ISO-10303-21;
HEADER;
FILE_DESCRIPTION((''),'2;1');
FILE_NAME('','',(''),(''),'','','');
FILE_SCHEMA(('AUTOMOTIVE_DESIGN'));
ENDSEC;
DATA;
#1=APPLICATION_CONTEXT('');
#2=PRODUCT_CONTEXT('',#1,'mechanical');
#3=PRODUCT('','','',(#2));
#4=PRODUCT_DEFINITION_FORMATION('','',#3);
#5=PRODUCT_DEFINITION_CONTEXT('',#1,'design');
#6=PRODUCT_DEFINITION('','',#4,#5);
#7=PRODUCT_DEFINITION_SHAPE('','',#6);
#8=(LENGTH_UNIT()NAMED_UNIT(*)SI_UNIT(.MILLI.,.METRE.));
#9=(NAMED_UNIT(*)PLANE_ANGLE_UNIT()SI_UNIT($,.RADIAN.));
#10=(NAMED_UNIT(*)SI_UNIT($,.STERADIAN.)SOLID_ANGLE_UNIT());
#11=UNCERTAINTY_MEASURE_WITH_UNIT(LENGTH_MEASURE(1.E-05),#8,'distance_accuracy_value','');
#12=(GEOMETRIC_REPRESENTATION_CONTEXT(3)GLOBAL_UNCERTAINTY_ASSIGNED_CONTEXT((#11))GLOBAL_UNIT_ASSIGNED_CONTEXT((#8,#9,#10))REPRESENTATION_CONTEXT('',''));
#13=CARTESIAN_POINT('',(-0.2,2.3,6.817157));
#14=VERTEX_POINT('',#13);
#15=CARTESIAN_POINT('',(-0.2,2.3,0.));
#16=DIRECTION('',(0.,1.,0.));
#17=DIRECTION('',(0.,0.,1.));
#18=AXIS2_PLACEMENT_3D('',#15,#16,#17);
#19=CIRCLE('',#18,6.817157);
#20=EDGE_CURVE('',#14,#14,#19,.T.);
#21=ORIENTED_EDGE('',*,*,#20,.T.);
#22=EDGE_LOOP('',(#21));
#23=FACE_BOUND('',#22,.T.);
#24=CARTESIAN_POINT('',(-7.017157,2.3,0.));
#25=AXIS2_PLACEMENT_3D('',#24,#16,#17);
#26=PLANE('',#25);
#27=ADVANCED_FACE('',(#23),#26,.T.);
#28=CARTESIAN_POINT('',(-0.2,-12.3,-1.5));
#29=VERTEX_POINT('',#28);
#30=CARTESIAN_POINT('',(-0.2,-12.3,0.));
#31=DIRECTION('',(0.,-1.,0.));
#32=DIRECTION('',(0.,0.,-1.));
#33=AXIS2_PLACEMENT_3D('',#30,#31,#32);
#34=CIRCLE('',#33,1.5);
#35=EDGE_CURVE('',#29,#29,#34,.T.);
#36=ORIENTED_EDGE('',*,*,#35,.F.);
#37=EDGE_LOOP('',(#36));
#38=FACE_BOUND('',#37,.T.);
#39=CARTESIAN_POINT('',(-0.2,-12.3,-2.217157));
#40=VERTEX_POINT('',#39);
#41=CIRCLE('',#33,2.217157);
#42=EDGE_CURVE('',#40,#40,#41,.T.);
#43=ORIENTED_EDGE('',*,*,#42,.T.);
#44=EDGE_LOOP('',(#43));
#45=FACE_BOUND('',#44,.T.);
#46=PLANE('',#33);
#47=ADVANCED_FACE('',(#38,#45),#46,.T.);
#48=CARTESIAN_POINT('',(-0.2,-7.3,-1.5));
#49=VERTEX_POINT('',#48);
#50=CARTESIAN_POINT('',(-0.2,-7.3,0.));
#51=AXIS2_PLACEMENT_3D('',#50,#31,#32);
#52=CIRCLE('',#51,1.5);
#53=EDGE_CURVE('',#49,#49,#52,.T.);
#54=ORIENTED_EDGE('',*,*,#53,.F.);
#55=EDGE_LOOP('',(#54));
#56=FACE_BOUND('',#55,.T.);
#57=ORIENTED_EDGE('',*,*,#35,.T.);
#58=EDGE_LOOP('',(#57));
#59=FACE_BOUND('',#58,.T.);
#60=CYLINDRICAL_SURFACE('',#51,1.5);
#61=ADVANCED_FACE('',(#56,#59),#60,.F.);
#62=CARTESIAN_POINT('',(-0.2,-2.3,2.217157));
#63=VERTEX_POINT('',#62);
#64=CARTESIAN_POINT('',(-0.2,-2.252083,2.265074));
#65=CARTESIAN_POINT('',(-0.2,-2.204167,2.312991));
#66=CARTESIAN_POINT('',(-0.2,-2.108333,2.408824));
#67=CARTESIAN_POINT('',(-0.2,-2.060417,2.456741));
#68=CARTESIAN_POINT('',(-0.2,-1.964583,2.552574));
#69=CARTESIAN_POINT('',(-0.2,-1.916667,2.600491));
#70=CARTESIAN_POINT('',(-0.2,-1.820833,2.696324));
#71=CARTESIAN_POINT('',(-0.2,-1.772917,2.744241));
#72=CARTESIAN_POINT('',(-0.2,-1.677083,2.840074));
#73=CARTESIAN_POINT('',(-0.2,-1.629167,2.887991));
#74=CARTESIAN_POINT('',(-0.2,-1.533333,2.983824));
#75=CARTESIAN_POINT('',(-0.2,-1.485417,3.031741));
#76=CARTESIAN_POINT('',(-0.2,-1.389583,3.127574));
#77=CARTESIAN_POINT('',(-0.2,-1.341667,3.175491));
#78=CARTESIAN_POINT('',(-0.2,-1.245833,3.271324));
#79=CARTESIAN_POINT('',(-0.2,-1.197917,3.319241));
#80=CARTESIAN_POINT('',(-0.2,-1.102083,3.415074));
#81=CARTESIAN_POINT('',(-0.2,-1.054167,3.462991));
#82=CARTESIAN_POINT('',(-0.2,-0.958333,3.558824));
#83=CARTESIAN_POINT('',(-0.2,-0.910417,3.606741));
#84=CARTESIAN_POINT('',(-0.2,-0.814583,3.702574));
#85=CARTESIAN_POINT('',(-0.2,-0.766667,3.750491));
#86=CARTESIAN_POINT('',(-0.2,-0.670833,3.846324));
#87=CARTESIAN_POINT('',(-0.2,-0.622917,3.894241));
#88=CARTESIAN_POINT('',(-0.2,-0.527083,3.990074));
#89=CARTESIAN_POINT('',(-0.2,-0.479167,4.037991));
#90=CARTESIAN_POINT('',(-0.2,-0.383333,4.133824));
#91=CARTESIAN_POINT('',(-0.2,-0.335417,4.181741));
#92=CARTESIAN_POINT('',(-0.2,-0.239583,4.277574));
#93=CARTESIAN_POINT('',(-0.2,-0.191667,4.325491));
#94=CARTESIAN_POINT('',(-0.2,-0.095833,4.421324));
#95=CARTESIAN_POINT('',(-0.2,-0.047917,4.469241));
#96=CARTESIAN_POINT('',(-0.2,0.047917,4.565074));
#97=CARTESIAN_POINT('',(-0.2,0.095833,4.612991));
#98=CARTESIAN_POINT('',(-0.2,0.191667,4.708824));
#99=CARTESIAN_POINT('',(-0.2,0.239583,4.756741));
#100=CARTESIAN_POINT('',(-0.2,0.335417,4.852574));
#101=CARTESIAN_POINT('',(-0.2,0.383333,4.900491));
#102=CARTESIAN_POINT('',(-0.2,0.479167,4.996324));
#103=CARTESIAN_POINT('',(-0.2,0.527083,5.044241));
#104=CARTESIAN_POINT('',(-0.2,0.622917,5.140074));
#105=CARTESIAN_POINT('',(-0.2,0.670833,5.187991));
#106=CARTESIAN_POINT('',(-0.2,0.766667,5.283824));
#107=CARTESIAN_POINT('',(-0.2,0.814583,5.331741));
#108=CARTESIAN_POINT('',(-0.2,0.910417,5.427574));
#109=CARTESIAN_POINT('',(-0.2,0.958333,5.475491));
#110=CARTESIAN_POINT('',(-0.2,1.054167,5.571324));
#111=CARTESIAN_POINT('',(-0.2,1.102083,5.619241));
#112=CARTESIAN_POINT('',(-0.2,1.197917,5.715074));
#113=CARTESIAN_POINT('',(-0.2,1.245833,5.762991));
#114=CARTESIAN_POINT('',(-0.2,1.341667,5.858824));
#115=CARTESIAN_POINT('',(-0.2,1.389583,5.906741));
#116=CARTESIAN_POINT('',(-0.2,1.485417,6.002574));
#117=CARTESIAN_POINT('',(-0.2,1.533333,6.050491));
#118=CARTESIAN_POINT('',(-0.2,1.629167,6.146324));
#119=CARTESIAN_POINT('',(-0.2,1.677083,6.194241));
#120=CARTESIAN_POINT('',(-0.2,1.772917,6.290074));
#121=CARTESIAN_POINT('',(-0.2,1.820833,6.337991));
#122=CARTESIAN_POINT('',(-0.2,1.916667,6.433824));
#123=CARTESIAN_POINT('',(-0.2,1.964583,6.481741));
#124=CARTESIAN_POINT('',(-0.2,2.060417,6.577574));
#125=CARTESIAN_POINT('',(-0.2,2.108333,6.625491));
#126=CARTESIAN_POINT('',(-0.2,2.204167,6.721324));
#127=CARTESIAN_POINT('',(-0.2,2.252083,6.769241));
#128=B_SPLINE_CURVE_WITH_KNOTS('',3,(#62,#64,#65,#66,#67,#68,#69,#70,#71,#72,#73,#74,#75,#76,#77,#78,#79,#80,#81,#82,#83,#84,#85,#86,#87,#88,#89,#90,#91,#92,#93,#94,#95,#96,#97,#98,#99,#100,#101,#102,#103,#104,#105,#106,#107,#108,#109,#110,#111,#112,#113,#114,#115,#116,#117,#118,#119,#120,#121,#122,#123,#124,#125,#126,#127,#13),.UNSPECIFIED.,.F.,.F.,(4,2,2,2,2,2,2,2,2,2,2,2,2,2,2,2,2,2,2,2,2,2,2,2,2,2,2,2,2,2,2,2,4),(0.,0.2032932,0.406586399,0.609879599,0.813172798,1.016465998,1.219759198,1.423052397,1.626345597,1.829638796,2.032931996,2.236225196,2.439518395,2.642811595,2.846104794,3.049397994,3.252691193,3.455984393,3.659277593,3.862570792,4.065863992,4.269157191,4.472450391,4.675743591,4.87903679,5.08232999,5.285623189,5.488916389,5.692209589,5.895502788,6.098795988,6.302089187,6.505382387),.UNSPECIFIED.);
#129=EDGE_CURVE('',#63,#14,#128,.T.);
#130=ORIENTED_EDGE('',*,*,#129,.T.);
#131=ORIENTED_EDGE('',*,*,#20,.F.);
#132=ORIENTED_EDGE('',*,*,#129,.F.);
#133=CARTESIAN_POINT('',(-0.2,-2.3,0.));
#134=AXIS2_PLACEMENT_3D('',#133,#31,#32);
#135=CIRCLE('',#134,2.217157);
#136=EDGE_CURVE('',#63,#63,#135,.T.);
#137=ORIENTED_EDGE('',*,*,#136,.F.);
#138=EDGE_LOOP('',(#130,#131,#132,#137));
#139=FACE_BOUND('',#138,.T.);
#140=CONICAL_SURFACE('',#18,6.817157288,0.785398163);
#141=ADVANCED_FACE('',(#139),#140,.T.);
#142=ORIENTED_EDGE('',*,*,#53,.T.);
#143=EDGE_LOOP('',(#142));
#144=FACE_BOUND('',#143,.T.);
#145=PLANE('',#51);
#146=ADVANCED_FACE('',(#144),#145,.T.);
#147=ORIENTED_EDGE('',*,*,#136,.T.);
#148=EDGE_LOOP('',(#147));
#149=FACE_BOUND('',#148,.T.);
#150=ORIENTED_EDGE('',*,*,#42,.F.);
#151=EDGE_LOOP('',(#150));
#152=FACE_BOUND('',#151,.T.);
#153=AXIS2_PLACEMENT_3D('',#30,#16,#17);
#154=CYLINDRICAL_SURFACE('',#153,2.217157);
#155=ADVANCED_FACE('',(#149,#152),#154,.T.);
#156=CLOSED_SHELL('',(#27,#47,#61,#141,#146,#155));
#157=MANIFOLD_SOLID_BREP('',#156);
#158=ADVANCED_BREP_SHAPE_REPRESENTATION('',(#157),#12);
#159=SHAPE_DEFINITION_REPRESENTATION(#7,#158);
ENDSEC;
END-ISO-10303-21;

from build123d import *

# Parameters (mm, degrees)
SKETCH2_R           = 2.217157288
BOSS_EXTRUDE1_DEPTH = 10
SKETCH3_R           = 1.5
BOSS_EXTRUDE2_DEPTH = 3
SKETCH3_2_R         = 1.5
CUT_EXTRUDE1_DEPTH  = 5


with BuildPart() as part:
    # Sketch1 → Revolve1 (revolve)
    with BuildSketch(Plane.XY):
        Polygon((-0.2, 2.3), (-0.2, -2.3), (-2.417157288, -2.3), (-7.017157288, 2.3), align=None)
    revolve(axis=Axis((-0.2, 2.3, 0), (0, -1, 0)))

    # Sketch2 → Boss-Extrude1 (add)
    with BuildSketch(Plane.XZ.offset(2.3)):
        with Locations((-0.2, 0)):
            Circle(SKETCH2_R)
    extrude(amount=BOSS_EXTRUDE1_DEPTH)

    # Sketch3 → Boss-Extrude2 (add)
    with BuildSketch(Plane.XZ.offset(12.3)):
        with Locations((-0.2, 0)):
            Circle(SKETCH3_R)
    extrude(amount=-BOSS_EXTRUDE2_DEPTH)

    # Sketch3<2> → Cut-Extrude1 (cut)
    with BuildSketch(Plane.XZ.offset(12.3)):
        with Locations((-0.2, 0)):
            Circle(SKETCH3_2_R)
    extrude(amount=-CUT_EXTRUDE1_DEPTH, mode=Mode.SUBTRACT)


solid = part.part
